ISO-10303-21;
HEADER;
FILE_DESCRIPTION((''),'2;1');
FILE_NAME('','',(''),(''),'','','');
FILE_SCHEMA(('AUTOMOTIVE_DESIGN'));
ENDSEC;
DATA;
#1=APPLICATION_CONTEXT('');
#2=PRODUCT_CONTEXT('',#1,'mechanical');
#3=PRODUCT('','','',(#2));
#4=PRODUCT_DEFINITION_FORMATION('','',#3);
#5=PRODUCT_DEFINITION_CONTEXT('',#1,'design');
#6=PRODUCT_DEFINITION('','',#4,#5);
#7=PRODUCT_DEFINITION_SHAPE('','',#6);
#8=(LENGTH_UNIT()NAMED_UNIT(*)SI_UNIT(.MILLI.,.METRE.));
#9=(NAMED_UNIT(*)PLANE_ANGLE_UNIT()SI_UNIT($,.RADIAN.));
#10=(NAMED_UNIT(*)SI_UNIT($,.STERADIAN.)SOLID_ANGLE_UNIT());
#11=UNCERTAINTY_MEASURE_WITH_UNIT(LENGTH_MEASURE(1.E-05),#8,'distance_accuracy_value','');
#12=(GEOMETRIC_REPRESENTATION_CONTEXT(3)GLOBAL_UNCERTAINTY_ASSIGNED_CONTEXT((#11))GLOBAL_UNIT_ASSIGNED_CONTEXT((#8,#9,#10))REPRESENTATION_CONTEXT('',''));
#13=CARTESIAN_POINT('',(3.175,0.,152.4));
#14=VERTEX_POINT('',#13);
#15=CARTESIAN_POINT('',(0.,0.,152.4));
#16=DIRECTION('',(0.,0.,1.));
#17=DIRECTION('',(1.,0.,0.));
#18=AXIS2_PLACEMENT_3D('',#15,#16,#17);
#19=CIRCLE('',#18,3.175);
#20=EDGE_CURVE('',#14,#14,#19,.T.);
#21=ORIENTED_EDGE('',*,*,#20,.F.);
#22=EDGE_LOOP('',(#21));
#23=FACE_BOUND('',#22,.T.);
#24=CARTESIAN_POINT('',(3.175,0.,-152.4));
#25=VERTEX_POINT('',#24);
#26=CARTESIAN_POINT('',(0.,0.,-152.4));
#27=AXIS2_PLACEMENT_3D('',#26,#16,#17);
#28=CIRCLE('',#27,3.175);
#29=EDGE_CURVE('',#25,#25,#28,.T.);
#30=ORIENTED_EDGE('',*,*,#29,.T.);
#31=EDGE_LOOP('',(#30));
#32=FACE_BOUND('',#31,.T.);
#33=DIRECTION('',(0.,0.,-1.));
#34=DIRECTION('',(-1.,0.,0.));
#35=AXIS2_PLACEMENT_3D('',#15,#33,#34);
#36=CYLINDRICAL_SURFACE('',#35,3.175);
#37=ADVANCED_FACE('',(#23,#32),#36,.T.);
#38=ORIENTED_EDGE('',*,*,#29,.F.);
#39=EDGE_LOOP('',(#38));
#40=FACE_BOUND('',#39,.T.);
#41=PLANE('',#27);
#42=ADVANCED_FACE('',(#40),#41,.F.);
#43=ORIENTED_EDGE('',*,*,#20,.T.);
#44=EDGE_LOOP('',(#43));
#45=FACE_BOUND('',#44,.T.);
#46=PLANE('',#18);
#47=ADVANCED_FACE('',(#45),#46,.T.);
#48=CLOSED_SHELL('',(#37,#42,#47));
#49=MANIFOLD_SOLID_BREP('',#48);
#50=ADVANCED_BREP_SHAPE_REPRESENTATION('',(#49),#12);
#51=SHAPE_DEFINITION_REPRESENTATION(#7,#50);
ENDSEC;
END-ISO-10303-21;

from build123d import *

# Parameters (mm, degrees)
SKETCH1_R      = 3.175
EXTRUDE1_DEPTH = 152.4


with BuildPart() as part:
    # Sketch1 → Extrude1 (new body, symmetric)
    with BuildSketch(Plane.XY):
        Circle(SKETCH1_R)
    extrude(amount=EXTRUDE1_DEPTH, both=True)


solid = part.part
